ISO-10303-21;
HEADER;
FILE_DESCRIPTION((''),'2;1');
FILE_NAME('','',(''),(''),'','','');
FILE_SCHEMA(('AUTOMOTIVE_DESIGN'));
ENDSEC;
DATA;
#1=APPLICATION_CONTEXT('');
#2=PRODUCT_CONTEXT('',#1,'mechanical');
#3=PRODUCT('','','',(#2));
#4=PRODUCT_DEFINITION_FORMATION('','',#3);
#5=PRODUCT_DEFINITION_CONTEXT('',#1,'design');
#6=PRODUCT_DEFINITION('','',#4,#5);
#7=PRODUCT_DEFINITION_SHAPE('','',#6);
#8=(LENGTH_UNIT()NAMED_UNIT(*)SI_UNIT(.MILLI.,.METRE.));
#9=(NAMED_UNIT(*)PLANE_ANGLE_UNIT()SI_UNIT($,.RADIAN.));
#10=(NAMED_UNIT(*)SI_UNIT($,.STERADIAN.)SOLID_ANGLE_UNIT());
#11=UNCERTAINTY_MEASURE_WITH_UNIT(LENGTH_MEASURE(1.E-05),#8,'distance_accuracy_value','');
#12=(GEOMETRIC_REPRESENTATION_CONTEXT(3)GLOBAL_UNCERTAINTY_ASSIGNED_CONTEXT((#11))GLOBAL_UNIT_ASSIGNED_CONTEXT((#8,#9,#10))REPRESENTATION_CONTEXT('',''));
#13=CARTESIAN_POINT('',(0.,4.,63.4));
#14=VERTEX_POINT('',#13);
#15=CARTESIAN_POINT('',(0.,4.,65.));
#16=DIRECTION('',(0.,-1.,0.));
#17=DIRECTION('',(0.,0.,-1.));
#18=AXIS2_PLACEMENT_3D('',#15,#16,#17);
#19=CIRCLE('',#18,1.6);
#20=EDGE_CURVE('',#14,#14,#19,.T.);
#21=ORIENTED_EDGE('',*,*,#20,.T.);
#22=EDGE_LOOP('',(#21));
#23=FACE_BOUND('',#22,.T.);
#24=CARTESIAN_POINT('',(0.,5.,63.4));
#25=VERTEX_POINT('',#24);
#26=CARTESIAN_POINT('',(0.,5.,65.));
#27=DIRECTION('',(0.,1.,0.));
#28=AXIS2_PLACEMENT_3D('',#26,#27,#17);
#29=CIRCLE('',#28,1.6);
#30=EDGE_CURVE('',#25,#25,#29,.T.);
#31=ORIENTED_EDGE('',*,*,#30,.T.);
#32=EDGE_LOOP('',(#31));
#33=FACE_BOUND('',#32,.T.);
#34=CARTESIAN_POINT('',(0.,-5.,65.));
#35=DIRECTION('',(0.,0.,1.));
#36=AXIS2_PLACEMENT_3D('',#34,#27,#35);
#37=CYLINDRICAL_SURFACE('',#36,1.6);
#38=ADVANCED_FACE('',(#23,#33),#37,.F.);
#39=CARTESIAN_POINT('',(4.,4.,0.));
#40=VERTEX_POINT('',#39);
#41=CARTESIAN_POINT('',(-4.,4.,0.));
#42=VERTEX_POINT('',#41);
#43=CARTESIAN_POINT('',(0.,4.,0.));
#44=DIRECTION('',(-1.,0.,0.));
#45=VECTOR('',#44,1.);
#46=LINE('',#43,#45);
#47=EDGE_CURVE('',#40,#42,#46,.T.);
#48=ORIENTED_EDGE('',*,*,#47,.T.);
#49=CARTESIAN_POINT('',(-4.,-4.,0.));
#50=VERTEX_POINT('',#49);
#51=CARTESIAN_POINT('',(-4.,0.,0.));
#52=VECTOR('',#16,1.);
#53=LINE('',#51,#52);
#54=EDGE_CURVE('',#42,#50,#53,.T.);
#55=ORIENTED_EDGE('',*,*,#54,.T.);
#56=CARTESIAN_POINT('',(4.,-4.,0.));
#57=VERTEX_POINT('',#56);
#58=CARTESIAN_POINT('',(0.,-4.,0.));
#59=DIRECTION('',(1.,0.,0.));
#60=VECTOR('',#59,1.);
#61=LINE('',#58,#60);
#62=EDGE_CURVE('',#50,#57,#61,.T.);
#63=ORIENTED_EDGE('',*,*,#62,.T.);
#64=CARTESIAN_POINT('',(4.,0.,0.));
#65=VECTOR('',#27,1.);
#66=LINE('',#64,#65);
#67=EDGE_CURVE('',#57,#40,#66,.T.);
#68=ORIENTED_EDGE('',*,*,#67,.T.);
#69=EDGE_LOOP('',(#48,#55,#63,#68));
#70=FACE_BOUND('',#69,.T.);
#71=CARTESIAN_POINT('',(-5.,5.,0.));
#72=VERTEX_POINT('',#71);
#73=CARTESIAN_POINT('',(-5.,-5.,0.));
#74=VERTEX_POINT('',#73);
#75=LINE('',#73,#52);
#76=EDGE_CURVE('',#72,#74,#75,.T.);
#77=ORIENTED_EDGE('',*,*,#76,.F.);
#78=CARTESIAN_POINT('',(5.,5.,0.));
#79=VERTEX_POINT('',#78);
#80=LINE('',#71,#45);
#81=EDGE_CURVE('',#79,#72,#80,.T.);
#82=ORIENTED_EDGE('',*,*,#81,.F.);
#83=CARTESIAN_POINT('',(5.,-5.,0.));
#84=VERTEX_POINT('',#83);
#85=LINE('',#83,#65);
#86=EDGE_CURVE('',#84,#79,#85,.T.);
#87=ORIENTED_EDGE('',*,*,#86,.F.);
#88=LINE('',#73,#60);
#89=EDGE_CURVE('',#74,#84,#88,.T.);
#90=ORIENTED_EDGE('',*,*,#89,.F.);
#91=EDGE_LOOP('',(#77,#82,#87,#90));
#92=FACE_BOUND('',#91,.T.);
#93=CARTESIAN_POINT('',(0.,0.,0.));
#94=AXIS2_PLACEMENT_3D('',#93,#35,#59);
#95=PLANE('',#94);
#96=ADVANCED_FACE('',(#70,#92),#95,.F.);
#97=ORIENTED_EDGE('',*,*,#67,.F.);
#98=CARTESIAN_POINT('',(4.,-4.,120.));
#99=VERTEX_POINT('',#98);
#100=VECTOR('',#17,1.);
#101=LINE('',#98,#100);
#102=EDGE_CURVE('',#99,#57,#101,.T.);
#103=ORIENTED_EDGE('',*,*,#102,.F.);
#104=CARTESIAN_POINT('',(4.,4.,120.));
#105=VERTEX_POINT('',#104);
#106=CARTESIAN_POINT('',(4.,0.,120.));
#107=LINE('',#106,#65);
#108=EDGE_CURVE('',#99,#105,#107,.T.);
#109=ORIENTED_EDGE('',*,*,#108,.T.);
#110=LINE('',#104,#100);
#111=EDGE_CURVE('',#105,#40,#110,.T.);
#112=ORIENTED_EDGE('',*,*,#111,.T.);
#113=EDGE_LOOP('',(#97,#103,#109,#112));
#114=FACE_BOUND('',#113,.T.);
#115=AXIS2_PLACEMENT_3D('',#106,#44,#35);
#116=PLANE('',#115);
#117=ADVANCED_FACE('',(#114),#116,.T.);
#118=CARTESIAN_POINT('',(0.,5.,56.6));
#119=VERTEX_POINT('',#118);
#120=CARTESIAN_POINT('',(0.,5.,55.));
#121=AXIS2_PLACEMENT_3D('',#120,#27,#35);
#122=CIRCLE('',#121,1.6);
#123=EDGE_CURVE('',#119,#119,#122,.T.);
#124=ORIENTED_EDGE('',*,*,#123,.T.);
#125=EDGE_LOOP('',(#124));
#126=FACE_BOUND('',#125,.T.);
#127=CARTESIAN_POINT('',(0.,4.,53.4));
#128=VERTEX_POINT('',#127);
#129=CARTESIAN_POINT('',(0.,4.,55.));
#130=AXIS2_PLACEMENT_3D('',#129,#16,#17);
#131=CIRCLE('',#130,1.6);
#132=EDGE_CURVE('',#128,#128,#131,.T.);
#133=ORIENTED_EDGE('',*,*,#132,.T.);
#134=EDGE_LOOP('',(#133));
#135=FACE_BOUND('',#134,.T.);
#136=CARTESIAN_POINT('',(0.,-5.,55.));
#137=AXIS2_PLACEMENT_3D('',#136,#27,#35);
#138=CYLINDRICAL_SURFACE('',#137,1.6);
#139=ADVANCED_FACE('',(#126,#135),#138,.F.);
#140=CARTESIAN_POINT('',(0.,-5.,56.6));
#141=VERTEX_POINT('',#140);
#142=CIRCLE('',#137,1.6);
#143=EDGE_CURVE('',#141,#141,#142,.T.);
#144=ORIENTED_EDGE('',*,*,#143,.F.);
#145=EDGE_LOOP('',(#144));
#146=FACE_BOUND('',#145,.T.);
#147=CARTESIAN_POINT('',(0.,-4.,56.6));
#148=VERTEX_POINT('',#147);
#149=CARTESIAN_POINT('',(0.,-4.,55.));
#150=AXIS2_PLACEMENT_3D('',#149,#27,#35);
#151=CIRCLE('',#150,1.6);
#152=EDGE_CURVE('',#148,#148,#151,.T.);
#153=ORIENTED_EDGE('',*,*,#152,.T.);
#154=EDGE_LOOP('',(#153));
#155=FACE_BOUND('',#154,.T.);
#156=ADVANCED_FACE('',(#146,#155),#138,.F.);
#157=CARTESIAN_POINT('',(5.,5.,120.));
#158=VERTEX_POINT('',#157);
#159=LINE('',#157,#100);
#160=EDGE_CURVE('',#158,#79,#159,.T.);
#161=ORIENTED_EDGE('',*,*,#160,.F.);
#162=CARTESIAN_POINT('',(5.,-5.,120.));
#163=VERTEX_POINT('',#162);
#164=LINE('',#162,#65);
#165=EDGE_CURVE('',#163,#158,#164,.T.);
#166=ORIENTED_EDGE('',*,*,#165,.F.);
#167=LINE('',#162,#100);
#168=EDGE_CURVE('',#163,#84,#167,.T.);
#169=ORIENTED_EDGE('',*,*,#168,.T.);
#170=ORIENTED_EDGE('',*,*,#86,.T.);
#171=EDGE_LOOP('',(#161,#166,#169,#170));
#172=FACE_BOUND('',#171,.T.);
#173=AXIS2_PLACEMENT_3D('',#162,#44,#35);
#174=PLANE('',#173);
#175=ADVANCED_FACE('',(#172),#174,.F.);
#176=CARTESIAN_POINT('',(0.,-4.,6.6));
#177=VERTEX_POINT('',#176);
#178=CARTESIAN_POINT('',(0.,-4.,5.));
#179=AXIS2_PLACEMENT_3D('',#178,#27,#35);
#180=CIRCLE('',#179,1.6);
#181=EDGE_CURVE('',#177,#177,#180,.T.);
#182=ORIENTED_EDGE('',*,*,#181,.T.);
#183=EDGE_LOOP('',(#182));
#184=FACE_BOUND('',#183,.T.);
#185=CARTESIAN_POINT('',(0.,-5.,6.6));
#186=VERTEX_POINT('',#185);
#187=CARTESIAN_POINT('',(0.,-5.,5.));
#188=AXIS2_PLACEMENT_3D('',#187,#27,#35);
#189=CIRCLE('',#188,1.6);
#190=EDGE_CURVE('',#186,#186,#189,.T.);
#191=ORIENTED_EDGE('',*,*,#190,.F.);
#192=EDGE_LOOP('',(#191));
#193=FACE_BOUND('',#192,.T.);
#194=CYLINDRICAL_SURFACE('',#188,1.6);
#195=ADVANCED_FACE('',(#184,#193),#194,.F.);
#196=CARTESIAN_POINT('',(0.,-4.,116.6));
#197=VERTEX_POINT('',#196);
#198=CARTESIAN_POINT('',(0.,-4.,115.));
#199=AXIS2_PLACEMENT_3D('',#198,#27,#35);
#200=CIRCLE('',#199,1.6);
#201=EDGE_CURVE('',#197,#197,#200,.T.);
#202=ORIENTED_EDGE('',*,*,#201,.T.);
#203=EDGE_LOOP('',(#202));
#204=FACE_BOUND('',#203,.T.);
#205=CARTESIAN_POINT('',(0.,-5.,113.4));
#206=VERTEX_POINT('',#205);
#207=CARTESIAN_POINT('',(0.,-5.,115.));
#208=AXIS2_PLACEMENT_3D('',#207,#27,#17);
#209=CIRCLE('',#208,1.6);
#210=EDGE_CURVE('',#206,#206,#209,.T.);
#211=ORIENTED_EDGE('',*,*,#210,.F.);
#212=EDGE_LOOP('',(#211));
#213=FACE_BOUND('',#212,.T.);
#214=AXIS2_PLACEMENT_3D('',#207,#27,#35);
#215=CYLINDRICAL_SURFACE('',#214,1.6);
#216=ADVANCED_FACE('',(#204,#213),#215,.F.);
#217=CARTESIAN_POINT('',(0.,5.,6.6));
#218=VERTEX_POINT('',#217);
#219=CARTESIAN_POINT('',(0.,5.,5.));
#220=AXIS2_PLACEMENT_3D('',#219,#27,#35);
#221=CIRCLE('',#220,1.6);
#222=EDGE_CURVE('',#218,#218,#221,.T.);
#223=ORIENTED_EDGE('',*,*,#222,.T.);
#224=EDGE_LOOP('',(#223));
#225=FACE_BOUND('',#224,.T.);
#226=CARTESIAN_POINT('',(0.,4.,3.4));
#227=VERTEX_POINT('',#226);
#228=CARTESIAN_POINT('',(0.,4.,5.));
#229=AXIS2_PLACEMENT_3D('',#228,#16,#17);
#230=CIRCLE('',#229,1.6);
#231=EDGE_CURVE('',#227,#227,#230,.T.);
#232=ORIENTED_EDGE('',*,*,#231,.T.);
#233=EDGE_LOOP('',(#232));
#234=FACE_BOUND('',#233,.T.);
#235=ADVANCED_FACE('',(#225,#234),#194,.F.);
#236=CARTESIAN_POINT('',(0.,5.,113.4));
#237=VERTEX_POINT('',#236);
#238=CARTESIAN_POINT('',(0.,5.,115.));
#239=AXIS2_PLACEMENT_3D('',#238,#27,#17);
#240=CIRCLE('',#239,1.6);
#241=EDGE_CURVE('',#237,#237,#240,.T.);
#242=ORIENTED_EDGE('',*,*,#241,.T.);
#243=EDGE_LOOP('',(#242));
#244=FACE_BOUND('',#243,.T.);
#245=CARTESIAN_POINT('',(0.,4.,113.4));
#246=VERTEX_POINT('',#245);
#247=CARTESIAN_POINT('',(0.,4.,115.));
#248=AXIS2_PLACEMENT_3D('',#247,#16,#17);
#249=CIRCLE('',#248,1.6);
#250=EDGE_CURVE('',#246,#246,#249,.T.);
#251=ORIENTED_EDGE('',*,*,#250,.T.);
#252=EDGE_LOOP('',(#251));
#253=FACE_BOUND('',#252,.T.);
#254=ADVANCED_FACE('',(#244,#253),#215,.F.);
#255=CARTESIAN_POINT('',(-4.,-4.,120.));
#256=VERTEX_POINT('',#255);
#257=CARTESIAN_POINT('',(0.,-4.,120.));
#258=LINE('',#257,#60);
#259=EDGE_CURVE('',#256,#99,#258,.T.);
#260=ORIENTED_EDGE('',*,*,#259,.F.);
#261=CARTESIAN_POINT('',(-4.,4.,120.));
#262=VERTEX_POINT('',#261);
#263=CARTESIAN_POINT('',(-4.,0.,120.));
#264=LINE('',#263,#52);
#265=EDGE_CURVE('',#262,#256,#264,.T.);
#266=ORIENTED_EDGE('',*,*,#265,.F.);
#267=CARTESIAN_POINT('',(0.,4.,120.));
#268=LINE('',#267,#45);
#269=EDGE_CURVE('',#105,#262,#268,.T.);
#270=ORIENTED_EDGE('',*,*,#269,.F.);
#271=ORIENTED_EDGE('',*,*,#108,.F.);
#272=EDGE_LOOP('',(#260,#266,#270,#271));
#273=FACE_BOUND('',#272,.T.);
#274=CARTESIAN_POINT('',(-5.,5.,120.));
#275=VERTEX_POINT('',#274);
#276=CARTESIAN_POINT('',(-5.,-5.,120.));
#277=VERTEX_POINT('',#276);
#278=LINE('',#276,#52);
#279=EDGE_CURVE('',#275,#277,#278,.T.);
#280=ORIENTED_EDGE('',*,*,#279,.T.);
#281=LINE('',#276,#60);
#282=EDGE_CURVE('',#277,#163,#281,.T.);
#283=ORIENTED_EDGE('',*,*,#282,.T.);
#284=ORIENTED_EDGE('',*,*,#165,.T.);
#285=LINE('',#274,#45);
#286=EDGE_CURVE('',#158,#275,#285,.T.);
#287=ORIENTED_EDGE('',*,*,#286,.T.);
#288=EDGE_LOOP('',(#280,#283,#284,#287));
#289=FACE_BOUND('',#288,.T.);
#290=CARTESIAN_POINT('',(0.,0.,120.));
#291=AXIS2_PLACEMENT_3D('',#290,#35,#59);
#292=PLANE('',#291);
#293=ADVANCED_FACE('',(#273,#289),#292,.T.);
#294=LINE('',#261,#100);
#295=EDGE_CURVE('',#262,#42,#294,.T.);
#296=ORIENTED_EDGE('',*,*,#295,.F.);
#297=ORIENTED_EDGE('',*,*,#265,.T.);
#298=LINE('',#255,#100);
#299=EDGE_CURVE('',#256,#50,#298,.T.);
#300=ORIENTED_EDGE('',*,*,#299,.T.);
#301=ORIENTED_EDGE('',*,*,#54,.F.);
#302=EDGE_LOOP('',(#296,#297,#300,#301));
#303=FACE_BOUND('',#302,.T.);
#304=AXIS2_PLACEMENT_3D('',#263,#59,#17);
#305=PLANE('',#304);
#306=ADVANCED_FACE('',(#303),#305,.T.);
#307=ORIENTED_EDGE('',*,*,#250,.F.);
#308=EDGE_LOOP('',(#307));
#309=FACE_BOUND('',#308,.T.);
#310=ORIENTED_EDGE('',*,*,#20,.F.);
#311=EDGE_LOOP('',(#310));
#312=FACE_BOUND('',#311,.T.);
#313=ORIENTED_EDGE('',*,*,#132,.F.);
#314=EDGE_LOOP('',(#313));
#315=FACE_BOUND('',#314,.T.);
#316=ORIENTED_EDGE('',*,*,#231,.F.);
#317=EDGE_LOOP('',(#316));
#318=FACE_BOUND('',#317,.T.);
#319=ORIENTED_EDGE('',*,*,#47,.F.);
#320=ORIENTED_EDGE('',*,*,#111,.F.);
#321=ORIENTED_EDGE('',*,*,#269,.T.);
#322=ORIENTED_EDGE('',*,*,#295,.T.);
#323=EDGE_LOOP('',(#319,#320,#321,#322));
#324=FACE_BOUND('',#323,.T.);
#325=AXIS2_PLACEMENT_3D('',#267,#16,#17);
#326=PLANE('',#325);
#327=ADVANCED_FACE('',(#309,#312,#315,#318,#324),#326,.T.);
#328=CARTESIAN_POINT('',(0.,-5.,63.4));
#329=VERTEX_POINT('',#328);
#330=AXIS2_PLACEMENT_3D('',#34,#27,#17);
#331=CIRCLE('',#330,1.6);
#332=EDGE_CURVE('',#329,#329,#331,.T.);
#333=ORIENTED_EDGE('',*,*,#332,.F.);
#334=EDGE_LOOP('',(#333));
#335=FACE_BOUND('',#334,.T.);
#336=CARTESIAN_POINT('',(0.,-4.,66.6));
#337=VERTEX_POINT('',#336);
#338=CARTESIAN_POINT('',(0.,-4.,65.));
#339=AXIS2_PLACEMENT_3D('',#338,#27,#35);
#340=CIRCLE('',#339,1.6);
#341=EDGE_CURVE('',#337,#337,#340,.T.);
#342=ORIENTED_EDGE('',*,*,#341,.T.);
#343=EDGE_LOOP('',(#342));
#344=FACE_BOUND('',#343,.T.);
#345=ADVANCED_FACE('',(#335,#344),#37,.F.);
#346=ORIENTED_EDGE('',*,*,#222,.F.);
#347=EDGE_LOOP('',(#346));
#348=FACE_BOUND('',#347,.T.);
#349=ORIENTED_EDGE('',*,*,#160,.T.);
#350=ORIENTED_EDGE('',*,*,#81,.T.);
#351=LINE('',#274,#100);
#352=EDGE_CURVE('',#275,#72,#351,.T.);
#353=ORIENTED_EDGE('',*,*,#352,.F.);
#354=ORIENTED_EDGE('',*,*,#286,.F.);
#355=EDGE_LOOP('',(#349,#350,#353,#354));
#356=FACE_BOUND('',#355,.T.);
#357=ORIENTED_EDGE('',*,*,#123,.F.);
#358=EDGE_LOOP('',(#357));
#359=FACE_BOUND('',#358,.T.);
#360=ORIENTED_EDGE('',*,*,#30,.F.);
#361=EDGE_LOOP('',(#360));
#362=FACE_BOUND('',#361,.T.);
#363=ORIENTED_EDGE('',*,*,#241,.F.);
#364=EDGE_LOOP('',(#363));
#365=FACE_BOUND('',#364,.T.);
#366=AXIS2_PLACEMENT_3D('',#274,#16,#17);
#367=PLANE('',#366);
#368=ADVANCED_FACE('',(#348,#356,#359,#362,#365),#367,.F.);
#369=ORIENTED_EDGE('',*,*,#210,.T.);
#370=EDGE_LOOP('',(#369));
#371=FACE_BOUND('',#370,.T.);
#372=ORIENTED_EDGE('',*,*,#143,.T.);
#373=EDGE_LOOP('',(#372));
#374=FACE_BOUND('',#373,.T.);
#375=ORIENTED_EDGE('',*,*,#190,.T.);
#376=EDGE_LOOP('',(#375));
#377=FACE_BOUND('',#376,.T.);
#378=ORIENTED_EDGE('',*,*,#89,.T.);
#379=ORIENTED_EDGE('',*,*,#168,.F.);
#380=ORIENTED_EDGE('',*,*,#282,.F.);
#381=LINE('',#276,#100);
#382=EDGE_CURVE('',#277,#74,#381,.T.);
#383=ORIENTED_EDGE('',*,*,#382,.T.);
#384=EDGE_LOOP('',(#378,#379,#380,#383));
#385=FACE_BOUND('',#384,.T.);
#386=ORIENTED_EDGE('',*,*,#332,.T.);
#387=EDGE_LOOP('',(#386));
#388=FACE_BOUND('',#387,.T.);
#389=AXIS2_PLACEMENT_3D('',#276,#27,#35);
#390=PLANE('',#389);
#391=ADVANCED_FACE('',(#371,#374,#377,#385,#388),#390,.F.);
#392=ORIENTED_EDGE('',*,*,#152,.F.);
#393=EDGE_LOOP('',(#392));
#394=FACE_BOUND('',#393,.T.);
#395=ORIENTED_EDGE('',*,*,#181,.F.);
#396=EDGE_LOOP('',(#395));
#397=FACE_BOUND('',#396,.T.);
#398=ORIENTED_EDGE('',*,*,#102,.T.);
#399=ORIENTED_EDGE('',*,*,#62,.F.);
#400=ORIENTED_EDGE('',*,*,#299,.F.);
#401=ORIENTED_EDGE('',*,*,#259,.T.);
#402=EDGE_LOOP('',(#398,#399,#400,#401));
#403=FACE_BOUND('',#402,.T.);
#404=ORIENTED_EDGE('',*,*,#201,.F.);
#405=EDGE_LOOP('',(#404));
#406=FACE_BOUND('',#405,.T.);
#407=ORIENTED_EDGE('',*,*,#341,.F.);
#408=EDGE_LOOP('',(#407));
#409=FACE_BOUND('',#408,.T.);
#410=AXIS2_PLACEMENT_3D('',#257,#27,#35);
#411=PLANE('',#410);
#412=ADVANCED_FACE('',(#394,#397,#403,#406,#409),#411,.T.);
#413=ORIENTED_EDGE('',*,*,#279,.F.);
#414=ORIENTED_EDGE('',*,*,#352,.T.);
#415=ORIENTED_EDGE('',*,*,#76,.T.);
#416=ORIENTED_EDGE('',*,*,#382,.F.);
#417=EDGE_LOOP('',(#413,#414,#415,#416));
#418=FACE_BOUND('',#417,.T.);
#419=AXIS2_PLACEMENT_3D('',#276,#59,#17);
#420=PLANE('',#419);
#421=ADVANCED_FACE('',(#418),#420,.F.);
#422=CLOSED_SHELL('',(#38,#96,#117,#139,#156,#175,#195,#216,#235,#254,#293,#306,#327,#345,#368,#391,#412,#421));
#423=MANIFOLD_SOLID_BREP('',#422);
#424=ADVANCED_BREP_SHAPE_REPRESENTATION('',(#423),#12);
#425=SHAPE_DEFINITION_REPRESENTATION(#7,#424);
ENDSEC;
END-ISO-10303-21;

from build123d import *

# Parameters (mm, degrees)
SKETCH_282_W          = 10
SKETCH_282_H          = 10
SKETCH_282_W_2        = 8
SKETCH_282_H_2        = 8
EXTRUDE_339_DEPTH     = 120
SKETCH_411_R          = 1.6
CUT_EXTRUDE_780_DEPTH = 121.519707932


with BuildPart() as part:
    # Sketch 282 → Extrude 339 (new body)
    with BuildSketch(Plane.XY):
        Rectangle(SKETCH_282_W, SKETCH_282_H)
        Rectangle(SKETCH_282_W_2, SKETCH_282_H_2, mode=Mode.SUBTRACT)
    extrude(amount=EXTRUDE_339_DEPTH)

    # Sketch 411 → Cut-Extrude 780 (cut, through all)
    with BuildSketch(Plane(origin=(0, 5, 0), x_dir=(1, 0, 0), z_dir=(0, 1, 0))):
        with Locations(Location((0, -5, 0), (0, 0, 270))):
            Circle(SKETCH_411_R)
        with Locations(Location((0, -55, 0), (0, 0, 270))):
            Circle(SKETCH_411_R)
        with Locations(Location((0, -115, 0), (0, 0, 270))):
            Circle(SKETCH_411_R)
        with Locations(Location((0, -65, 0), (0, 0, 270))):
            Circle(SKETCH_411_R)
    extrude(amount=-CUT_EXTRUDE_780_DEPTH, mode=Mode.SUBTRACT)


solid = part.part
